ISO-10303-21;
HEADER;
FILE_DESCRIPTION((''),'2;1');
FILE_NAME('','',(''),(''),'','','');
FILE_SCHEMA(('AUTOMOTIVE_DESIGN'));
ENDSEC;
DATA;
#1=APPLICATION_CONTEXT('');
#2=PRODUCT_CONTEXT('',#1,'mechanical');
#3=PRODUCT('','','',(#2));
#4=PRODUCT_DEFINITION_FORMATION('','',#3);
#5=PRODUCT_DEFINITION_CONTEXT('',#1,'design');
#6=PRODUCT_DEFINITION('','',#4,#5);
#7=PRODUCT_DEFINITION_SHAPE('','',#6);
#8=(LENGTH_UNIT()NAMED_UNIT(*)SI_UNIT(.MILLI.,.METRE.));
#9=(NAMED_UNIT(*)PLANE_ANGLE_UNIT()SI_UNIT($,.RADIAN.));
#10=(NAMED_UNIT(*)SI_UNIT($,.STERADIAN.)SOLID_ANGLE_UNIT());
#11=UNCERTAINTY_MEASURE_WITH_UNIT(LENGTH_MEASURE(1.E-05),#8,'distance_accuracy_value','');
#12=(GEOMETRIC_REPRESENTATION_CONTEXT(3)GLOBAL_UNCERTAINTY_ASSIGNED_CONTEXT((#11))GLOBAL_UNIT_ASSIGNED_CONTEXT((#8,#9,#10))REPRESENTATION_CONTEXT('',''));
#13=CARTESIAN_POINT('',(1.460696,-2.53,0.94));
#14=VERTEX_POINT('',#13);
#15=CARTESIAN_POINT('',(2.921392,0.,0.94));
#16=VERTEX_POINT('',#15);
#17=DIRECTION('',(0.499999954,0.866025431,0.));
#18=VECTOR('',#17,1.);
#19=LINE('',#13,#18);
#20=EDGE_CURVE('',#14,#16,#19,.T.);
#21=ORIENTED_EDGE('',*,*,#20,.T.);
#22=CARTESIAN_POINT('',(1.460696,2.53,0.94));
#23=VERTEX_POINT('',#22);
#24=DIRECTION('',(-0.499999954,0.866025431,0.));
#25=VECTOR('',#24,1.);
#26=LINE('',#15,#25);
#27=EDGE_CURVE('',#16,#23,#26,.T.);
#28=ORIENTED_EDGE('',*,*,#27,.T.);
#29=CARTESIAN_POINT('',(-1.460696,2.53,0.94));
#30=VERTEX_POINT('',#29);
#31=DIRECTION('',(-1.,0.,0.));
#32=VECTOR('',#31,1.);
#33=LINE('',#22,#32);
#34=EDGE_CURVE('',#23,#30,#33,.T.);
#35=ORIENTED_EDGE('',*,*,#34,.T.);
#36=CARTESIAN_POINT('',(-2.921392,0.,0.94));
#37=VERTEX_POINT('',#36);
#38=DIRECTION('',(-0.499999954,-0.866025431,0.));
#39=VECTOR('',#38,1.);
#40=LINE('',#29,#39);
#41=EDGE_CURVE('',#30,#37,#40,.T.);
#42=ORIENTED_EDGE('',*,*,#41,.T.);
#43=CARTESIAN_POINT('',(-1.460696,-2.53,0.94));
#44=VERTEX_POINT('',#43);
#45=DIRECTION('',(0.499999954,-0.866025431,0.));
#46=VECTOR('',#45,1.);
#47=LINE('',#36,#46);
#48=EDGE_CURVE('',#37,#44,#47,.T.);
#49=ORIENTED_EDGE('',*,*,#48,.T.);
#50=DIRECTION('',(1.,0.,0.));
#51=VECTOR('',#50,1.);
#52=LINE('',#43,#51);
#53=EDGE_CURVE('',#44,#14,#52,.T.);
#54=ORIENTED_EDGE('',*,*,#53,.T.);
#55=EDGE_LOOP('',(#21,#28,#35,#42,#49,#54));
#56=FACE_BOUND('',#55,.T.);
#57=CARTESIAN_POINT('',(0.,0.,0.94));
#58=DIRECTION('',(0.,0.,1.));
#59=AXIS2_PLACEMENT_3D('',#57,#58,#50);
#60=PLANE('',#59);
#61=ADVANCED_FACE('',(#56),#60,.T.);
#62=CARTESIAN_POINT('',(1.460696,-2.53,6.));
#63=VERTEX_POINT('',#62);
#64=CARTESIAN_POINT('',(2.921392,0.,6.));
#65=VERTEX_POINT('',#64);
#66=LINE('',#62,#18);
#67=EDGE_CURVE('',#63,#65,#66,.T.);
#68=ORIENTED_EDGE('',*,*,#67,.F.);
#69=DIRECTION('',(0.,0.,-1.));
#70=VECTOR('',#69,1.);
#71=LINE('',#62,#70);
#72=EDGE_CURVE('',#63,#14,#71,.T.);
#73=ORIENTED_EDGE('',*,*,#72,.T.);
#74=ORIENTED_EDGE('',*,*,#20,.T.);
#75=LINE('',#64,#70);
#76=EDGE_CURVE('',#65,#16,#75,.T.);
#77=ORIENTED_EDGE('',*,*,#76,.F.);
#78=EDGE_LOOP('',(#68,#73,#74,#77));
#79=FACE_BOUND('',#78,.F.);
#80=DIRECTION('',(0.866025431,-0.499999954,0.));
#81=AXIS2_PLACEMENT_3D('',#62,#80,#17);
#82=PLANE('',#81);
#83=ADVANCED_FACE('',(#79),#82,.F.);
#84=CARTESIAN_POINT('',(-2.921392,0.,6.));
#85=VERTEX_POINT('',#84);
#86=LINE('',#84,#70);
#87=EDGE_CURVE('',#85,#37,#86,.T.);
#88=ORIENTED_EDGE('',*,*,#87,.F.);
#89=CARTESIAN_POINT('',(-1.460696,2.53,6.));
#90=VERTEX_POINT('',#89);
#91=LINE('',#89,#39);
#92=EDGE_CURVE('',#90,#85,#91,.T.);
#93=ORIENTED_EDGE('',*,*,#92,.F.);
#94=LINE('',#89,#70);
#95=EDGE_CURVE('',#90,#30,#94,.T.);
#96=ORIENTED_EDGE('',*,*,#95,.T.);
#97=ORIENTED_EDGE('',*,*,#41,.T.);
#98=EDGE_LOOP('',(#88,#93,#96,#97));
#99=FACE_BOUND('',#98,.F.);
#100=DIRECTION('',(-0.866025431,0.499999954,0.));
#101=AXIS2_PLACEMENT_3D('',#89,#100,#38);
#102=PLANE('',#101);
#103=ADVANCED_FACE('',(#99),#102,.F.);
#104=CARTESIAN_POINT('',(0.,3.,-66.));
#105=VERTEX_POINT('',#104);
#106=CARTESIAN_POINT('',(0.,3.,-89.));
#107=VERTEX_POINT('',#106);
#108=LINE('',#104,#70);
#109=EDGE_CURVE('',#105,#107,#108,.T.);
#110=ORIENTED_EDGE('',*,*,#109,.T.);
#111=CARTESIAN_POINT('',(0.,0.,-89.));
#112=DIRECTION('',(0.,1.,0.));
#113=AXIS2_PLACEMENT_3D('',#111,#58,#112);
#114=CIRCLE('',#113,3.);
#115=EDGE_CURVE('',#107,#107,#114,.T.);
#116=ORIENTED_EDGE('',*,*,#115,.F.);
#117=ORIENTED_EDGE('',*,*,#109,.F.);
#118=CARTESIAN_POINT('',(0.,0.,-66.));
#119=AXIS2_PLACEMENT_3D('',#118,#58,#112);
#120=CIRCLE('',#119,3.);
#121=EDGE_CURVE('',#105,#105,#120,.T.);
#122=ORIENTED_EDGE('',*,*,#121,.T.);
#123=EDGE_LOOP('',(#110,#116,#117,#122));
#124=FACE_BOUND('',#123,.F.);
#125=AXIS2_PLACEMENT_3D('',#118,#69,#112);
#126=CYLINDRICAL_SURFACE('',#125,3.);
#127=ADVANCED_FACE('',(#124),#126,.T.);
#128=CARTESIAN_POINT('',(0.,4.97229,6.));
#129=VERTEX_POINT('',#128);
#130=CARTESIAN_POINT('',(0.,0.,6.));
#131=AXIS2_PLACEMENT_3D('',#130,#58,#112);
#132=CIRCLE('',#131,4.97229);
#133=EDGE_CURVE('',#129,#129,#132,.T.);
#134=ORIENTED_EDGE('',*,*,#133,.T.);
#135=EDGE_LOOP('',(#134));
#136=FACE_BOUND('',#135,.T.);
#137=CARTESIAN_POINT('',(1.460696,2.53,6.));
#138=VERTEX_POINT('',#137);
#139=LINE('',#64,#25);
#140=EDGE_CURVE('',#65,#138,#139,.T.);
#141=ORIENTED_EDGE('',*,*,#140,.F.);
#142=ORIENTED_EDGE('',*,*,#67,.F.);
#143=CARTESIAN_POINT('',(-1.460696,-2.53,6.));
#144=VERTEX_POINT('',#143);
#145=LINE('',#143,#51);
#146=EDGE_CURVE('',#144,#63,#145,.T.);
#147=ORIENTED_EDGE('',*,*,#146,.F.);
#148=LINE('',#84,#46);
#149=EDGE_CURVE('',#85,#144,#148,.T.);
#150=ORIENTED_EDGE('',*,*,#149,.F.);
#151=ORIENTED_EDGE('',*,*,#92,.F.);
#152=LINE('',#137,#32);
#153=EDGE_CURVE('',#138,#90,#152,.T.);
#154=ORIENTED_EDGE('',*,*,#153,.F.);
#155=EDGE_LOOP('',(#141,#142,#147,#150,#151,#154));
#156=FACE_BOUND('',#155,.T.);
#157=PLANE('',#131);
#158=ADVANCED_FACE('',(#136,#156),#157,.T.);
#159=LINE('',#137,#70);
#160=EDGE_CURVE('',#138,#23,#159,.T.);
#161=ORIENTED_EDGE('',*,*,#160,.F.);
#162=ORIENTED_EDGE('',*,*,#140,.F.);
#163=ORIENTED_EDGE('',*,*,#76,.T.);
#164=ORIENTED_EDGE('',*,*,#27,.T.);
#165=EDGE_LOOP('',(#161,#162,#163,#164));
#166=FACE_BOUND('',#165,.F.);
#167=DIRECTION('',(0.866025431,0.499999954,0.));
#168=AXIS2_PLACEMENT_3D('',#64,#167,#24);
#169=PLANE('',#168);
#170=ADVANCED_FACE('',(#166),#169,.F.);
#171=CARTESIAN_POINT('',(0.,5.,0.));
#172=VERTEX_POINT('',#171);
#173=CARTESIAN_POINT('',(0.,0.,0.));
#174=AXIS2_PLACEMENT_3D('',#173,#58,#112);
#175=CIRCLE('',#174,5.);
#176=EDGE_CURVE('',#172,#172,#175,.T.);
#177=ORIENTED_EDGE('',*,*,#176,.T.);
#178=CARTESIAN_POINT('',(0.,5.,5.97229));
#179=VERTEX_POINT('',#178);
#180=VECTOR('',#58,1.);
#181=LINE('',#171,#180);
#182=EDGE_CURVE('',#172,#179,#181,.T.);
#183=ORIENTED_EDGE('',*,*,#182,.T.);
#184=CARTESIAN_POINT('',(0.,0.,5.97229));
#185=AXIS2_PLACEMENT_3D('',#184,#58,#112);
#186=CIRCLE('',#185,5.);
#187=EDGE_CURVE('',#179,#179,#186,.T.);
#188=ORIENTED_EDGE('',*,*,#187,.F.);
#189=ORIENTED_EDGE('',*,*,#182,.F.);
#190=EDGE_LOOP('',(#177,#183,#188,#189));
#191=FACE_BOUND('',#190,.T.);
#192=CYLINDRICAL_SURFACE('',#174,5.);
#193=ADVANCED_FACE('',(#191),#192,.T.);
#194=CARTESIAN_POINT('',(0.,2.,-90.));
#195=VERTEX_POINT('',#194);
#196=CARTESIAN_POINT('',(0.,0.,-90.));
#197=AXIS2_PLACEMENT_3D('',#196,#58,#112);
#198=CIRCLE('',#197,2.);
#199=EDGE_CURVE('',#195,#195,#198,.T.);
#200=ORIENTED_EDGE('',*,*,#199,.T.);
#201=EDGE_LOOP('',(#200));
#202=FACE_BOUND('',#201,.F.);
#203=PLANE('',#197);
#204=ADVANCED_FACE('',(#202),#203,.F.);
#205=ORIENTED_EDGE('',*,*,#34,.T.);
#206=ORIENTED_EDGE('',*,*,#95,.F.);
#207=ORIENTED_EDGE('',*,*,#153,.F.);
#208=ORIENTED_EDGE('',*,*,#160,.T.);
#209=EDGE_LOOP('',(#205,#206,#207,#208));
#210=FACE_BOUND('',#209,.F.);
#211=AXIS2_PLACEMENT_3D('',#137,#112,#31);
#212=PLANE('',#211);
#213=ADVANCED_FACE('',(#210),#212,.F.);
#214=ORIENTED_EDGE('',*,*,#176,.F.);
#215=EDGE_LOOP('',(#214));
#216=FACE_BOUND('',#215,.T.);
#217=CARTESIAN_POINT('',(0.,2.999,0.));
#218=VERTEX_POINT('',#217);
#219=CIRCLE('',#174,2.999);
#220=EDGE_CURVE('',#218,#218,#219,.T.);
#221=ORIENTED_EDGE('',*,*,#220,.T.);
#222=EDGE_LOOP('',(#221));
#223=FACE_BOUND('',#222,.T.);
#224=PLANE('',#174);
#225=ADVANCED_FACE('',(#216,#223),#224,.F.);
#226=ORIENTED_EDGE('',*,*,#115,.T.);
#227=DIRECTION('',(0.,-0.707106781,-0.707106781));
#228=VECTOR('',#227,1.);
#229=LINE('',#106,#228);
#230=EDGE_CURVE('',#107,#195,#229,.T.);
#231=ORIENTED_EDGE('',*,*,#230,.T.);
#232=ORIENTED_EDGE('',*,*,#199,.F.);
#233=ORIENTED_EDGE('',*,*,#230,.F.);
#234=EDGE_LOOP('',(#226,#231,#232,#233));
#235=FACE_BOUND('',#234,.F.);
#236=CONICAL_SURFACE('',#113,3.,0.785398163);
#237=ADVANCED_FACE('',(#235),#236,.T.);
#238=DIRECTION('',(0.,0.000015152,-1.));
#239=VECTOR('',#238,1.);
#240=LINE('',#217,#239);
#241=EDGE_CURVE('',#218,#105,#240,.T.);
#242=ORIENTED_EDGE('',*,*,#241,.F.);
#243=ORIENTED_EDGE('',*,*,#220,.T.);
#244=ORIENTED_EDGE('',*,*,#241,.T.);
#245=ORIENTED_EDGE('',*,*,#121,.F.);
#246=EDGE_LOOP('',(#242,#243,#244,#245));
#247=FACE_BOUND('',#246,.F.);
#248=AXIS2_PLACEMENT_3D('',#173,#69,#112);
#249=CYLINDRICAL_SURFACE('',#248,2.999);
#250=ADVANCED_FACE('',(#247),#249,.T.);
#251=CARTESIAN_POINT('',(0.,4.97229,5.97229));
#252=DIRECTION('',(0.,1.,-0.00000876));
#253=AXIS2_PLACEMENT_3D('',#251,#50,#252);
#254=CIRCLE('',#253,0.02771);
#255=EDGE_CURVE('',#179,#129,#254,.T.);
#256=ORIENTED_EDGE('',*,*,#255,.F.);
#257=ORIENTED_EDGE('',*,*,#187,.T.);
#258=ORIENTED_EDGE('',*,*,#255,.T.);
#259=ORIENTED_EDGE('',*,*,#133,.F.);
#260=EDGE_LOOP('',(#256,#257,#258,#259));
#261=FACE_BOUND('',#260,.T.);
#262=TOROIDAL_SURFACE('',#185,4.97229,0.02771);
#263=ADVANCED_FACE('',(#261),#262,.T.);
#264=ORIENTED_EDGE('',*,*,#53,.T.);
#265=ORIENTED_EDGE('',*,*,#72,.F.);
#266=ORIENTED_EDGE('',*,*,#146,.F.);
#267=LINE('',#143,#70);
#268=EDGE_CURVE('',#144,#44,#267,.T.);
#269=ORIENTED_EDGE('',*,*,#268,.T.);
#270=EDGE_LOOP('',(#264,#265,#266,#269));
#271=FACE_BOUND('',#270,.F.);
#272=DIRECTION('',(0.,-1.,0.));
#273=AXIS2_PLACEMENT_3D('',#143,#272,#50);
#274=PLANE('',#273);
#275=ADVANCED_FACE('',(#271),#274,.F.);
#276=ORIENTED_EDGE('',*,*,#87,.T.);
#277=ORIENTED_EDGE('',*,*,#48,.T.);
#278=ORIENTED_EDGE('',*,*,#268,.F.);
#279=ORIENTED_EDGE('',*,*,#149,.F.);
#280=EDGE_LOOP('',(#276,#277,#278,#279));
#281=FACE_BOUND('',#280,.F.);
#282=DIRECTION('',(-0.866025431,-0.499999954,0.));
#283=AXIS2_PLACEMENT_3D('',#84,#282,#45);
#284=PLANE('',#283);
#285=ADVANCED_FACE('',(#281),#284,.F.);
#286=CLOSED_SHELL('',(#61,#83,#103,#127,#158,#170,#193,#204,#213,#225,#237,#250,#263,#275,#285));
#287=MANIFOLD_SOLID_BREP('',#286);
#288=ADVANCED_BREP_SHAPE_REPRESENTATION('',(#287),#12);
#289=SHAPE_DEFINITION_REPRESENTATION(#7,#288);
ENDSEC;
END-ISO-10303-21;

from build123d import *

# Parameters (mm, degrees)
POCKET_DEPTH = 5.06


with BuildPart() as part:
    # Sketch → Revolve (revolve)
    with BuildSketch(Plane.YZ):
        with BuildLine():
            Line((2.999, 0), (5, 0))
            Line((5, 0), (5, 5.97229))
            ThreePointArc((5, 5.97229), (4.991884, 5.991884), (4.97229, 6))
            Line((4.97229, 6), (0, 6))
            Line((0, -90), (0, 6))
            Line((2, -90), (0, -90))
            Line((3, -89), (2, -90))
            Line((3, -66), (3, -89))
            Line((2.999, 0), (3, -66))
        make_face()
    revolve(axis=Axis((0, 0, 0), (0, 0, 1)))

    # Sketch001 → Pocket (cut)
    with BuildSketch(Plane.XY.offset(6)):
        Polygon((2.921392, 0), (1.460696, 2.53), (-1.460696, 2.53), (-2.921392, 0), (-1.460696, -2.53), (1.460696, -2.53), align=None)
    extrude(amount=-POCKET_DEPTH, mode=Mode.SUBTRACT)


solid = part.part
